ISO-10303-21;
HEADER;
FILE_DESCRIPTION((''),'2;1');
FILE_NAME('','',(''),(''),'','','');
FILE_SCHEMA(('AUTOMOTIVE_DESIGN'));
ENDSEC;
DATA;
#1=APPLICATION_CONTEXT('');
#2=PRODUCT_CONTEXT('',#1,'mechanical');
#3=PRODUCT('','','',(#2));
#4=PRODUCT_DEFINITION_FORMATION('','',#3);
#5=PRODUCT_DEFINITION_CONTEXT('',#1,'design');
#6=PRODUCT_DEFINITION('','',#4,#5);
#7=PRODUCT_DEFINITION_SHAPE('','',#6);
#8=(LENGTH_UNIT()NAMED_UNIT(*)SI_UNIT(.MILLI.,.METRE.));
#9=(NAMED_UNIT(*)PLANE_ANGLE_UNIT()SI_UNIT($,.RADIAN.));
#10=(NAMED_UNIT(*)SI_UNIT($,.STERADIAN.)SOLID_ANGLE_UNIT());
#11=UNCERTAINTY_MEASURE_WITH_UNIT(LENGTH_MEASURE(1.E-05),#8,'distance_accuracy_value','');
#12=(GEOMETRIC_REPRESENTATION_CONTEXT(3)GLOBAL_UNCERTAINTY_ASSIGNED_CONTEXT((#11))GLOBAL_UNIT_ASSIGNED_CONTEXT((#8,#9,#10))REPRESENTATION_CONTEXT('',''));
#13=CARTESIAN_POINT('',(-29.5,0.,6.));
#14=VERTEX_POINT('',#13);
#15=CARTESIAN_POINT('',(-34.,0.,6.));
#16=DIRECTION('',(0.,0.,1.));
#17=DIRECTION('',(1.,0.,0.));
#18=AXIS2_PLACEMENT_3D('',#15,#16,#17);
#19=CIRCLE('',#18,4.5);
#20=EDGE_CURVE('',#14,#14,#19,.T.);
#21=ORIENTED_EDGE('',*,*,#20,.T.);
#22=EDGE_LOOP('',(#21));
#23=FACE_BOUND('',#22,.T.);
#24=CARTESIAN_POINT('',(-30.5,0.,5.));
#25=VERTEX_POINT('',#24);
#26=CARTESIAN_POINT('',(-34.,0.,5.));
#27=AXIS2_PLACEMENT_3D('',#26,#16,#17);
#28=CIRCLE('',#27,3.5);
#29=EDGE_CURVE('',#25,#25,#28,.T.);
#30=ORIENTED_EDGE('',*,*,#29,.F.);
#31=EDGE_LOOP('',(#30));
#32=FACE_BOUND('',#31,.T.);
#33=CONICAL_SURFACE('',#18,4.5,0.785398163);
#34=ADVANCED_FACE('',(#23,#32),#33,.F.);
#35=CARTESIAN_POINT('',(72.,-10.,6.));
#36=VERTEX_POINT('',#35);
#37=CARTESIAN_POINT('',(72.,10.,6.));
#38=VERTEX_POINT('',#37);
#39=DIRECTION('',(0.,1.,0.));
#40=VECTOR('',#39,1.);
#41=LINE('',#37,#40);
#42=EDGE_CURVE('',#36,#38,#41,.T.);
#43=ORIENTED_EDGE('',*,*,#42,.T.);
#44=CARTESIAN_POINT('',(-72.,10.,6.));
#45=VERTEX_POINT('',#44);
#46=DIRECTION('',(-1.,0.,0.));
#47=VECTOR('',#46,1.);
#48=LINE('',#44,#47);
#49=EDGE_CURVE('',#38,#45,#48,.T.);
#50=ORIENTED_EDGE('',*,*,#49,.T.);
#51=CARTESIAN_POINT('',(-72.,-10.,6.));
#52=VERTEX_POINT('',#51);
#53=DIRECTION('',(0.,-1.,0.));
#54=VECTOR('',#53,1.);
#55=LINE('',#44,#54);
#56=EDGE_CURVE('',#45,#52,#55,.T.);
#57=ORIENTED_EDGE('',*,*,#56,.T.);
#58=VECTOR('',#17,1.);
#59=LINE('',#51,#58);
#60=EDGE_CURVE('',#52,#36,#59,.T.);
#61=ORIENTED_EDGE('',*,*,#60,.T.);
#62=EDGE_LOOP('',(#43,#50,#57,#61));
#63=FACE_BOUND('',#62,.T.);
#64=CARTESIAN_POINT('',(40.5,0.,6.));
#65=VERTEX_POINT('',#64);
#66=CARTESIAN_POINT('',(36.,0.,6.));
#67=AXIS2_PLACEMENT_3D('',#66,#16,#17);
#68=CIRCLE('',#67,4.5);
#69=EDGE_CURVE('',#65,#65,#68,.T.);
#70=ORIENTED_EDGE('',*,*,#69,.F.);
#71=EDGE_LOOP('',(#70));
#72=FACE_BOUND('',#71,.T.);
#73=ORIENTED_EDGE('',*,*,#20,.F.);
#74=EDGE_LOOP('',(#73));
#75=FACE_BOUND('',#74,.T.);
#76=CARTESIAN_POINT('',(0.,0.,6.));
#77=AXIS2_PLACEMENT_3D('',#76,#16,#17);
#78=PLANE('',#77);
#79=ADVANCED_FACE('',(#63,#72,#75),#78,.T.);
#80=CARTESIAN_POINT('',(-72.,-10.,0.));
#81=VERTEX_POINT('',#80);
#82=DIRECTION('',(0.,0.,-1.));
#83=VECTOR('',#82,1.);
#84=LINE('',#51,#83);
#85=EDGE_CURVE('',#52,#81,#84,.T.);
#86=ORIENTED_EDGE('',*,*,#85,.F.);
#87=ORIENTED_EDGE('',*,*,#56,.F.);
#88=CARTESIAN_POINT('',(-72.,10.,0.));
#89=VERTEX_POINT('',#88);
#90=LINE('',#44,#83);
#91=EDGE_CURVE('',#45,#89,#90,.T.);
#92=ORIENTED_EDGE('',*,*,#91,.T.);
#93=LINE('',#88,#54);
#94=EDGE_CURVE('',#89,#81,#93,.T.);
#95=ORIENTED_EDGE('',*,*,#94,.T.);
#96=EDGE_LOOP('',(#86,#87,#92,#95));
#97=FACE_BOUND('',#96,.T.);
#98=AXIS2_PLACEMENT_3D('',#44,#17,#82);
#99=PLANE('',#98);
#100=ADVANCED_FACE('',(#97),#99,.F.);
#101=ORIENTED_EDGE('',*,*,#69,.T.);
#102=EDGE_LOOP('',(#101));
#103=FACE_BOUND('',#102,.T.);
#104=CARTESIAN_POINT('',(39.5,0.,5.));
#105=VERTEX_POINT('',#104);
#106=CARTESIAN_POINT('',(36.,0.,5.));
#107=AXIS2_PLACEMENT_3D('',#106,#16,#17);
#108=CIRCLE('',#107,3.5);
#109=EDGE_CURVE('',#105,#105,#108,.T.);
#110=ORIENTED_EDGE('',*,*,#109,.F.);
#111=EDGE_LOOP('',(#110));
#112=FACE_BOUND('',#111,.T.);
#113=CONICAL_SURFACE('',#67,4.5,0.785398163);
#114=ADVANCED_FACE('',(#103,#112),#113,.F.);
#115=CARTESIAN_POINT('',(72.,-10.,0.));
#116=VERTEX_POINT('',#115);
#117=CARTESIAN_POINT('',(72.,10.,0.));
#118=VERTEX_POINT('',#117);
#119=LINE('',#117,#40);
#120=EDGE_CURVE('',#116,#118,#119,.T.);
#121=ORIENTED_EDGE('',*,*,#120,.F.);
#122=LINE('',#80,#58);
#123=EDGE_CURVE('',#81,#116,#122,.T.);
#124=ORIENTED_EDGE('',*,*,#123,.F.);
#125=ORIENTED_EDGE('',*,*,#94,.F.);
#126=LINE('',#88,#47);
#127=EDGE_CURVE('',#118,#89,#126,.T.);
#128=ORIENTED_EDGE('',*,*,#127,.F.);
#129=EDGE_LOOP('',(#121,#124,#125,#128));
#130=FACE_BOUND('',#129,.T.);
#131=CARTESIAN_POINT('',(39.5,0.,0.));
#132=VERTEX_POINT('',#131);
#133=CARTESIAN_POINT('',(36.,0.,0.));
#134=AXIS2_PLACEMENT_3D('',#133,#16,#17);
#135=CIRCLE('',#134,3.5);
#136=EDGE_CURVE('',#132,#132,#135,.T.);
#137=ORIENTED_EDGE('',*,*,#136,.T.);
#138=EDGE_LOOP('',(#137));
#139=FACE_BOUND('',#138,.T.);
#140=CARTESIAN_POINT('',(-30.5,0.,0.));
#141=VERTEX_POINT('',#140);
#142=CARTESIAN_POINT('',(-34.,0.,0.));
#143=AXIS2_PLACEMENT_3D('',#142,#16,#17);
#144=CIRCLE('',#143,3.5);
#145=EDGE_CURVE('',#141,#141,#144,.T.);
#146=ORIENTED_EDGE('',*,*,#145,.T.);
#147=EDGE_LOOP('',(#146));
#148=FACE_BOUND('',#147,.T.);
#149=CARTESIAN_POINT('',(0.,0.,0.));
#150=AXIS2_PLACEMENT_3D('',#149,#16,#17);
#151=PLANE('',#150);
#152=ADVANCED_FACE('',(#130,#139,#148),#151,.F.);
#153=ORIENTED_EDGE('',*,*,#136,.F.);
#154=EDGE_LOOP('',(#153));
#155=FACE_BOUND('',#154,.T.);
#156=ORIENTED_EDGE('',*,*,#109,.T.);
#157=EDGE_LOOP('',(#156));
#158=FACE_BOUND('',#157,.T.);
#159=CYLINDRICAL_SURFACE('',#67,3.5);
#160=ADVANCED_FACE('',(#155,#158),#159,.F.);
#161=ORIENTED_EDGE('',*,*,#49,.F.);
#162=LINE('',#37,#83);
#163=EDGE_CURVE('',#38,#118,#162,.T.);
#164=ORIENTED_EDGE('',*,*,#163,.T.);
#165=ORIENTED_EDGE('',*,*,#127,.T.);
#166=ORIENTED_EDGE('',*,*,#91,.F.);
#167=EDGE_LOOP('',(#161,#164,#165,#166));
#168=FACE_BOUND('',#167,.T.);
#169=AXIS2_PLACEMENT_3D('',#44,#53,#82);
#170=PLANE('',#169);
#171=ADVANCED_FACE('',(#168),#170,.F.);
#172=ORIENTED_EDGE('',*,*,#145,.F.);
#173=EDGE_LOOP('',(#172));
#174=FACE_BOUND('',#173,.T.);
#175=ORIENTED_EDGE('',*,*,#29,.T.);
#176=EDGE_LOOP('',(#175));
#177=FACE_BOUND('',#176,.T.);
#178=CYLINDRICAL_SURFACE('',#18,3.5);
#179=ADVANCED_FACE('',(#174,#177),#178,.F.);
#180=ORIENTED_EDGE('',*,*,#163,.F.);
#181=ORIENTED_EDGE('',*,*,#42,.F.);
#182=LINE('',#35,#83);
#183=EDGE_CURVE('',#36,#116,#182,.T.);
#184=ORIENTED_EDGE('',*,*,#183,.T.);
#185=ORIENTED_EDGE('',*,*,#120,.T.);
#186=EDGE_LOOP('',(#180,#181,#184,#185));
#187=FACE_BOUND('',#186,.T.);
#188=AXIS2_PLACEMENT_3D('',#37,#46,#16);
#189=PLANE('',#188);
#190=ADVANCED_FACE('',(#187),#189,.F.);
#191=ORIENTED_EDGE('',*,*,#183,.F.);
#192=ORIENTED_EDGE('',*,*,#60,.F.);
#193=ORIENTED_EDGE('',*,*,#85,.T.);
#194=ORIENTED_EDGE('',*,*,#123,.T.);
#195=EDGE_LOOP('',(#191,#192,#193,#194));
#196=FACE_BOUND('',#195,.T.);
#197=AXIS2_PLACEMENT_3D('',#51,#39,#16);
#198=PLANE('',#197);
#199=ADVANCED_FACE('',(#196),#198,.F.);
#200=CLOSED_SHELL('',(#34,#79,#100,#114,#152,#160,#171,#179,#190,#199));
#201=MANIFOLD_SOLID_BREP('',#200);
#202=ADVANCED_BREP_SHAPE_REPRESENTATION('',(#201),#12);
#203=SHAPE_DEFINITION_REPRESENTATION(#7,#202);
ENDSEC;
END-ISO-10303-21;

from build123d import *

# Parameters (mm, degrees)
SKETCH1_W                                            = 144
SKETCH1_H                                            = 20
BOSS_EXTRUDE1_DEPTH                                  = 6
CSK_FOR_M1_6_COUNTERSUNK_FLAT_HEAD_SCREW_D           = 7
CSK_FOR_M1_6_COUNTERSUNK_FLAT_HEAD_SCREW_CSINK_D     = 9
CSK_FOR_M1_6_COUNTERSUNK_FLAT_HEAD_SCREW_CSINK_ANGLE = 90


with BuildPart() as part:
    # Sketch1 → Boss-Extrude1 (new body)
    with BuildSketch(Plane.XY):
        Rectangle(SKETCH1_W, SKETCH1_H)
    extrude(amount=BOSS_EXTRUDE1_DEPTH)

    # CSK for M1.6 Countersunk Flat Head Screw1 (through all)
    with Locations(Plane.XY.offset(6)):
        with Locations((-34, 0), (36, 0)):
            CounterSinkHole(CSK_FOR_M1_6_COUNTERSUNK_FLAT_HEAD_SCREW_D / 2, CSK_FOR_M1_6_COUNTERSUNK_FLAT_HEAD_SCREW_CSINK_D / 2, counter_sink_angle=CSK_FOR_M1_6_COUNTERSUNK_FLAT_HEAD_SCREW_CSINK_ANGLE)


solid = part.part
